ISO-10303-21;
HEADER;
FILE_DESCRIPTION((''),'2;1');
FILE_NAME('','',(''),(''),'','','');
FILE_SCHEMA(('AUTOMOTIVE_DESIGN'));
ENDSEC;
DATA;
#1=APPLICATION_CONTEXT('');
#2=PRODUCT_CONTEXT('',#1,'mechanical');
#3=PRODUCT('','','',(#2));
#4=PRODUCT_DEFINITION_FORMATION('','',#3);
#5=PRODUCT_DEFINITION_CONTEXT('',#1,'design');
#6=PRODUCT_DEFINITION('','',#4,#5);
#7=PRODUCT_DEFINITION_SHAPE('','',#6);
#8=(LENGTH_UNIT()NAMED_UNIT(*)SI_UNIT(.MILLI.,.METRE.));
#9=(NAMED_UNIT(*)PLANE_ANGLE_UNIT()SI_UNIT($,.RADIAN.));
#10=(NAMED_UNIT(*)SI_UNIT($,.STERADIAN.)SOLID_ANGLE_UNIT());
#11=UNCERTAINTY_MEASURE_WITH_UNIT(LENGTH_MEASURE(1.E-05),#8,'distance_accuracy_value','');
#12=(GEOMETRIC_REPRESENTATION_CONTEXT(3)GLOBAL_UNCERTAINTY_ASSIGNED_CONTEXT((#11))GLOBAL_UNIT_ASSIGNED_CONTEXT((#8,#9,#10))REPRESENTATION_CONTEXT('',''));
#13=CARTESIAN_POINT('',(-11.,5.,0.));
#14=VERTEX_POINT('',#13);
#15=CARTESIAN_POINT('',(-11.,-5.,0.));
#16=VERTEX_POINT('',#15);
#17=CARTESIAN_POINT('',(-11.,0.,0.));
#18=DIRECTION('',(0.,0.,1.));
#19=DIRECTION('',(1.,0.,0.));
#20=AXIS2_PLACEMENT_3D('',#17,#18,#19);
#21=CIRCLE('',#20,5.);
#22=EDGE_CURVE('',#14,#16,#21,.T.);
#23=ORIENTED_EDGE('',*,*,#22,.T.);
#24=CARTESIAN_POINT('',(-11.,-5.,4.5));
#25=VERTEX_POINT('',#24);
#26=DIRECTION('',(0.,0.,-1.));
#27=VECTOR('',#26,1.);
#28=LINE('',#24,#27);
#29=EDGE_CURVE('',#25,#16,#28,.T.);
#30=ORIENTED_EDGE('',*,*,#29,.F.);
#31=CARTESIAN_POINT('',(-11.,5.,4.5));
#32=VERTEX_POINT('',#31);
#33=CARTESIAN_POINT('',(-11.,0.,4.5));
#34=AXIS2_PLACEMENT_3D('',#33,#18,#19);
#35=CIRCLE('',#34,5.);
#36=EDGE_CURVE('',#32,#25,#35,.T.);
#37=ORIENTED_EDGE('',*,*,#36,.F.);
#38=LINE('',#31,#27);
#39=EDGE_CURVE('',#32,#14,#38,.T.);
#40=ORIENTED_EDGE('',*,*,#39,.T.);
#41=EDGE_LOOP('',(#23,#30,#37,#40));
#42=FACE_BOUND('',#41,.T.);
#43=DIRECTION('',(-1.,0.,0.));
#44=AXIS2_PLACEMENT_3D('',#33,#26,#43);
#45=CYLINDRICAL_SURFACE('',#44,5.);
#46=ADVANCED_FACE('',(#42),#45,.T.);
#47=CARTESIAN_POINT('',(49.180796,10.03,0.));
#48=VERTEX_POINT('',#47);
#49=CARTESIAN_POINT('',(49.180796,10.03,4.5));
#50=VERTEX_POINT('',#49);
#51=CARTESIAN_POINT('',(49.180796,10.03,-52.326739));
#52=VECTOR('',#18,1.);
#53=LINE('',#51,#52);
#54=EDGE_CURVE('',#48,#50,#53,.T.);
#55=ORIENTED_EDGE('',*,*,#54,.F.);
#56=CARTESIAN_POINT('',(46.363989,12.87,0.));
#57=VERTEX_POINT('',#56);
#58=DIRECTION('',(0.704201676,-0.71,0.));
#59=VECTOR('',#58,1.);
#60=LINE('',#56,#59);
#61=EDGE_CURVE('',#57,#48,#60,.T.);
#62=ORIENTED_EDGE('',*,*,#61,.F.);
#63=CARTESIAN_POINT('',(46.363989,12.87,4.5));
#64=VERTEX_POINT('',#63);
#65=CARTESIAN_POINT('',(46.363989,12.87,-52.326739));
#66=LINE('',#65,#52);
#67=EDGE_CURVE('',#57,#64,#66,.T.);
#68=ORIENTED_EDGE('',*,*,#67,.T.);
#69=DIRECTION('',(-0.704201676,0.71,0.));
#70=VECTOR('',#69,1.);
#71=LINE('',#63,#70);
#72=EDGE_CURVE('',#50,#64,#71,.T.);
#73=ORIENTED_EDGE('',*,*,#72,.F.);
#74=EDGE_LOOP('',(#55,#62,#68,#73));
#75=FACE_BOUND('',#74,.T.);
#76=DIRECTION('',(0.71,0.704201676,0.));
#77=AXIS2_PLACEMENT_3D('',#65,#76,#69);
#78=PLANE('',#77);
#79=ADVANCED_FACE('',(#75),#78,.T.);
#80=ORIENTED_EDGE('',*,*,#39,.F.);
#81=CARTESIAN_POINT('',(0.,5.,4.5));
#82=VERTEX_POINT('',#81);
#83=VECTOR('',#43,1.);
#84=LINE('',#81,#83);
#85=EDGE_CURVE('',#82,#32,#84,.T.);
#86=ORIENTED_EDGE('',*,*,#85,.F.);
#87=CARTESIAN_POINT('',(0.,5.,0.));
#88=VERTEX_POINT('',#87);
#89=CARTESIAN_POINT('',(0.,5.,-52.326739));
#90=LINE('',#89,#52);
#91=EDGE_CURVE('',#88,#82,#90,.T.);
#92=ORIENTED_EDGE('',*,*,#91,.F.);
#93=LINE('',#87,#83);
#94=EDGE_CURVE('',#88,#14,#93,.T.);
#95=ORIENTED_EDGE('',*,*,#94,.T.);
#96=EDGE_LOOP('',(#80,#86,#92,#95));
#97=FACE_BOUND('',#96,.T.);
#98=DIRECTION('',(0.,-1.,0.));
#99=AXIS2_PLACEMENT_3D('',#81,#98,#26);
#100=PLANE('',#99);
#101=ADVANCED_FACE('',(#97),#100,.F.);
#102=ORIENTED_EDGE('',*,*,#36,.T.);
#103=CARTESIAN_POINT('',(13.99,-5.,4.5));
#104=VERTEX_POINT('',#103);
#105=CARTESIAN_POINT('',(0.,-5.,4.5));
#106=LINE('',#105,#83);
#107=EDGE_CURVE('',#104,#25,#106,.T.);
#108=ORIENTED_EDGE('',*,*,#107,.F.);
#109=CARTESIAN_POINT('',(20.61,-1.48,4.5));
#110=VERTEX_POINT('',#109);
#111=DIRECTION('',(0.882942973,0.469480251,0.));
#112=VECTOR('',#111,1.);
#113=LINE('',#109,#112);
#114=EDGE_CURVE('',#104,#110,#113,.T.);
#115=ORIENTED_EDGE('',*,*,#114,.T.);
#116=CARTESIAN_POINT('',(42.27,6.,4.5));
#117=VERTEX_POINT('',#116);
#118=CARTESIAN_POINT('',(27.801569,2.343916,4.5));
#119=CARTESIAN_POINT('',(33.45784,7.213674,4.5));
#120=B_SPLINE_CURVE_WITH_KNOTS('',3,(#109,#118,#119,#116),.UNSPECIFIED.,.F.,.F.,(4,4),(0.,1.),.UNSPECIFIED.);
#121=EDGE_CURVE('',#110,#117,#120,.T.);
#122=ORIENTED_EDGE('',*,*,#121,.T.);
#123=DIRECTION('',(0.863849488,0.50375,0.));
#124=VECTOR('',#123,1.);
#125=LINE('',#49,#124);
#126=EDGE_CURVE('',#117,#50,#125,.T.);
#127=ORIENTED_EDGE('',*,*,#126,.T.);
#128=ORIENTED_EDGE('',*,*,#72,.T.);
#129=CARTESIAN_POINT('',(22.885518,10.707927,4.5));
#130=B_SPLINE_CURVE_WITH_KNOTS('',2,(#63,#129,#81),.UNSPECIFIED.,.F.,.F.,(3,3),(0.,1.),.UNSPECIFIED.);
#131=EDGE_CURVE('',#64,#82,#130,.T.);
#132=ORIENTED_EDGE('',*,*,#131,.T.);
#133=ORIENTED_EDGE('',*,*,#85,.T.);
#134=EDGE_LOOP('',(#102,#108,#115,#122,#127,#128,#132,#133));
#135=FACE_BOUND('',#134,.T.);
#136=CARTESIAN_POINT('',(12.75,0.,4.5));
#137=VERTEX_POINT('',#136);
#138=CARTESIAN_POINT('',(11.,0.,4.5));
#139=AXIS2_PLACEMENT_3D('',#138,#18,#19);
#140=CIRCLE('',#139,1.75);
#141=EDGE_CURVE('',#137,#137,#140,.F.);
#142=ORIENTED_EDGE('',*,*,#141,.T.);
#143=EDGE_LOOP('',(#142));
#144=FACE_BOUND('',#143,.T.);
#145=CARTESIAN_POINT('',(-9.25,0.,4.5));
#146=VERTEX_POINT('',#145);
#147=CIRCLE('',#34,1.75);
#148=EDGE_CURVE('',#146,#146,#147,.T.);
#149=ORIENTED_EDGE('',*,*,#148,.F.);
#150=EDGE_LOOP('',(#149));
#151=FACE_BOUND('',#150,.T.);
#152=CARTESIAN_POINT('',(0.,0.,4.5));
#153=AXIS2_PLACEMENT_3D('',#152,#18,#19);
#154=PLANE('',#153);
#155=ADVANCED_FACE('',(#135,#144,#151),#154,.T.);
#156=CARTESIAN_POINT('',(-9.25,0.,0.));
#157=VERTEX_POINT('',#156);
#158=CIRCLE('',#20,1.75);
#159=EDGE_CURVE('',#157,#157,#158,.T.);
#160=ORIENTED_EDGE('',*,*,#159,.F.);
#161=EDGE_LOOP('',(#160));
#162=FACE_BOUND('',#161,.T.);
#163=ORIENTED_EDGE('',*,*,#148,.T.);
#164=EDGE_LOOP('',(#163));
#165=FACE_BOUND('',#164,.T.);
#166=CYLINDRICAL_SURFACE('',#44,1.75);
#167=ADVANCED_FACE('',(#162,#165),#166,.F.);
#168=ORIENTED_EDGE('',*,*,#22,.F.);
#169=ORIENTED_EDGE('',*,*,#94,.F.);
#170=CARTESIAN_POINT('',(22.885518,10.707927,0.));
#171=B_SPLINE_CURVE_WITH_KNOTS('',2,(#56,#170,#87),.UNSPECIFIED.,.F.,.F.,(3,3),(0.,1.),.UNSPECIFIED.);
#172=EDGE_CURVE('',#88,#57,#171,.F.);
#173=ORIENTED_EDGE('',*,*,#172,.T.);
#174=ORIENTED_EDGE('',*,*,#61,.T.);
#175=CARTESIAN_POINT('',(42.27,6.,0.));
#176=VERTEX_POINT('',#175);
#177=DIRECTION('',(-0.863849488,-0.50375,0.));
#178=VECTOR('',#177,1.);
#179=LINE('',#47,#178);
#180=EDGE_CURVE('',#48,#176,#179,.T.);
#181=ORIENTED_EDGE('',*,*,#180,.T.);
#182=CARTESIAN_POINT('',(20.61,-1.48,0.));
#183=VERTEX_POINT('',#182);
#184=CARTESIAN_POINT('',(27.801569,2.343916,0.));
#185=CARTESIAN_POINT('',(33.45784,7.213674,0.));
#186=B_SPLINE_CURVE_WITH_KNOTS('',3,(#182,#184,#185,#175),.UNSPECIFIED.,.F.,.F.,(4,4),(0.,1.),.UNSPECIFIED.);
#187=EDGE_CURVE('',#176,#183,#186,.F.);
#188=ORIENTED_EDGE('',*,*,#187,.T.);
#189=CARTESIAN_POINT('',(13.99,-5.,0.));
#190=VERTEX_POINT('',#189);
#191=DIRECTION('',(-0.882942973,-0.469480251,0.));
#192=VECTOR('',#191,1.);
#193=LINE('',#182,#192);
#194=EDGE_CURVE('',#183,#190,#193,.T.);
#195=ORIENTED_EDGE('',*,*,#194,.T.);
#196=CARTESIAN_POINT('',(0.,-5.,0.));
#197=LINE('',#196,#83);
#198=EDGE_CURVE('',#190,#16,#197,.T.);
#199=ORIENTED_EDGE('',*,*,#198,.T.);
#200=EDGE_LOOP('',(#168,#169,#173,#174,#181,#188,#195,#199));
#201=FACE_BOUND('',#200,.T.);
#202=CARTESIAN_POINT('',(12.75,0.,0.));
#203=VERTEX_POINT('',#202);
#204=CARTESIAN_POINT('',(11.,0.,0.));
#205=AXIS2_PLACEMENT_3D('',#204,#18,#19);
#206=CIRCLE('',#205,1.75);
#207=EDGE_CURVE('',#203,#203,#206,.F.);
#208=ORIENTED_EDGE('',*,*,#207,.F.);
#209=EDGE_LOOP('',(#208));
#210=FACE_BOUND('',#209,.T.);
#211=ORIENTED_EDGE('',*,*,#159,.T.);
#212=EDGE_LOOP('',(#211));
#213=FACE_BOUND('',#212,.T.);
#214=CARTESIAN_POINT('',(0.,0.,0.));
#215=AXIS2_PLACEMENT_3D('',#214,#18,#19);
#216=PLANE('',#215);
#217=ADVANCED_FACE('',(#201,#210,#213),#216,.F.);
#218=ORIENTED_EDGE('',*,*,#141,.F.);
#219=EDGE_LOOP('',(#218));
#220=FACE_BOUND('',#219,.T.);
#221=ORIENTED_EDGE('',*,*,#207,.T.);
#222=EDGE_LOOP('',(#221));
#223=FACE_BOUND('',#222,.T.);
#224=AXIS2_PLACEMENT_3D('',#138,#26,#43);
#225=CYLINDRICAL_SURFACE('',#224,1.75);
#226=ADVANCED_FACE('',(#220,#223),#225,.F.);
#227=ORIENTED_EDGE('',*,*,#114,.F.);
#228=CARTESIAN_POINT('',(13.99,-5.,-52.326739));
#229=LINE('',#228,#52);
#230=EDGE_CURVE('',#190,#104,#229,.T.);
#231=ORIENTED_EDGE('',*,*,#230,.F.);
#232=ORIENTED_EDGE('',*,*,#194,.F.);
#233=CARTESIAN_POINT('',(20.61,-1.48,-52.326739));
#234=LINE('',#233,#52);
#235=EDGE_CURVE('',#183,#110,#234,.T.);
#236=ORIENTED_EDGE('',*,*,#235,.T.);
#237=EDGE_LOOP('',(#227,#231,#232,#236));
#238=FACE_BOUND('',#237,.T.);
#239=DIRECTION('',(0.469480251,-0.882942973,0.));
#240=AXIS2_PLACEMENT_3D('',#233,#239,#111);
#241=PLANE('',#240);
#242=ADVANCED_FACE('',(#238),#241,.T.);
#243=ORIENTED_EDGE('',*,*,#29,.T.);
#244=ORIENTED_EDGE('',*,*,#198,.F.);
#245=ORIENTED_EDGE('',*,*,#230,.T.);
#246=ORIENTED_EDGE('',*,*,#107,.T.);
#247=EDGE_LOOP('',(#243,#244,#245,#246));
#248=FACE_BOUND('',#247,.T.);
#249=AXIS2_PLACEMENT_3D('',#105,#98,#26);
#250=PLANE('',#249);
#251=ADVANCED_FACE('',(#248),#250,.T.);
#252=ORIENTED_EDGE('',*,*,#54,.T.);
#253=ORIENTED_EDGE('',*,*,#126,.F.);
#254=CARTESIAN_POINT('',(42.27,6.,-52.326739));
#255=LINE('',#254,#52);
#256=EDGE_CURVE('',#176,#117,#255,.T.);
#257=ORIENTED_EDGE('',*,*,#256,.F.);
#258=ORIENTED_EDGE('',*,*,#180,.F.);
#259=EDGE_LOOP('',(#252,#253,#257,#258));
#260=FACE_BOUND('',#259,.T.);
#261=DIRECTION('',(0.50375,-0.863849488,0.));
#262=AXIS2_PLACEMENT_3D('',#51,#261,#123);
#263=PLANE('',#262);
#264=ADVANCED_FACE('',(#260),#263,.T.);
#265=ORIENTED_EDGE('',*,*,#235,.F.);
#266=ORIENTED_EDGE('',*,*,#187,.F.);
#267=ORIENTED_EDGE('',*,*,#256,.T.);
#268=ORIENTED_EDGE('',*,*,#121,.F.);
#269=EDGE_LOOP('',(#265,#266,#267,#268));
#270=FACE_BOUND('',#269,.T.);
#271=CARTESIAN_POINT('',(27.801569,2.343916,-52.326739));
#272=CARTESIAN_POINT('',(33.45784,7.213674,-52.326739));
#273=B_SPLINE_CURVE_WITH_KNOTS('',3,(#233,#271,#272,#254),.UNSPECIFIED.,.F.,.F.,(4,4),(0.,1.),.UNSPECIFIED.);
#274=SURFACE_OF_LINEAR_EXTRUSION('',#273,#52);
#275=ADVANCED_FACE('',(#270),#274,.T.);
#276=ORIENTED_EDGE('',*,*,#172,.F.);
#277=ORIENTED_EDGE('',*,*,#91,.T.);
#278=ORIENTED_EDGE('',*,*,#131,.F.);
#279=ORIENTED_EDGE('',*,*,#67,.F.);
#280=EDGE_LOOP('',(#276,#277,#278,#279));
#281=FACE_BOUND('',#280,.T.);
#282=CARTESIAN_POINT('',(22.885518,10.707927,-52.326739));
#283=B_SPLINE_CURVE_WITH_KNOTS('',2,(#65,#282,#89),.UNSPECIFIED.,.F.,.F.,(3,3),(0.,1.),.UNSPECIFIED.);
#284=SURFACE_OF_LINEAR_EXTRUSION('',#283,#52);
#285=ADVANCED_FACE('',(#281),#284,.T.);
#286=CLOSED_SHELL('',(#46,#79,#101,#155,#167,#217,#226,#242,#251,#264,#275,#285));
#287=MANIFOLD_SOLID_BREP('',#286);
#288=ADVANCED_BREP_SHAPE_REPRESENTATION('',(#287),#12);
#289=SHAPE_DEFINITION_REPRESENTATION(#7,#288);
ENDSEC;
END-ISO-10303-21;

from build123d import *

# Parameters (mm, degrees)
SKETCH1_R           = 5
SKETCH1_R_2         = 1.75
BOSS_EXTRUDE1_DEPTH = 4.5
BOSS_EXTRUDE2_START = -4.5
BOSS_EXTRUDE2_DEPTH = 4.5


with BuildPart() as part:
    # Sketch1 → Boss-Extrude1 (new body)
    # profile 1 of 3: a face of its own
    with BuildSketch(Plane.XY):
        with BuildLine():
            Line((-11.000000031, -5), (11, -5))
            ThreePointArc((11, -5), (6, -6e-09), (10.999999988, 5))
            Line((10.999999988, 5), (-11, 5))
            ThreePointArc((-11, 5), (-7.464466094, 3.535533906), (-6, 0))
            ThreePointArc((-6, 0), (-7.464466105, -3.535533917), (-11.000000031, -5))
        make_face()
    # profile 2 of 3: a face of its own
    with BuildSketch(Plane.XY):
        with Locations((-11, 0)):
            Circle(SKETCH1_R)
        with Locations((-11, 0)):
            Circle(SKETCH1_R_2, mode=Mode.SUBTRACT)
    # profile 3 of 3: a face of its own
    with BuildSketch(Plane.XY):
        with Locations((11, 0)):
            Circle(SKETCH1_R)
        with Locations((11, 0)):
            Circle(SKETCH1_R_2, mode=Mode.SUBTRACT)
    extrude(amount=BOSS_EXTRUDE1_DEPTH)

    # Sketch2 → Boss-Extrude2 (add)
    with BuildSketch(Plane.XY.offset(4.5).offset(BOSS_EXTRUDE2_START)):
        with BuildLine():
            Line((46.363989199, 12.87), (49.180795902, 10.03))
            Line((49.180795902, 10.03), (42.27, 6))
            add(Edge.make_bspline(
                [(42.27, 6), (33.457840426, 7.213673904), (27.801569406, 2.343916059), (20.61, -1.48)],
                knots=[0, 0, 0, 0, 1, 1, 1, 1], degree=3))
            Line((20.61, -1.48), (13.99, -5))
            Line((13.99, -5), (11, -5))
            ThreePointArc((11, -5), (16, 0), (11, 5))
            Line((11, 5), (0, 5))
            add(Edge.make_bspline(
                [(0, 5), (22.885517501, 10.707926651), (46.363989199, 12.87)],
                knots=[0, 0, 0, 1, 1, 1], degree=2))
        make_face()
    extrude(amount=BOSS_EXTRUDE2_DEPTH)


solid = part.part
